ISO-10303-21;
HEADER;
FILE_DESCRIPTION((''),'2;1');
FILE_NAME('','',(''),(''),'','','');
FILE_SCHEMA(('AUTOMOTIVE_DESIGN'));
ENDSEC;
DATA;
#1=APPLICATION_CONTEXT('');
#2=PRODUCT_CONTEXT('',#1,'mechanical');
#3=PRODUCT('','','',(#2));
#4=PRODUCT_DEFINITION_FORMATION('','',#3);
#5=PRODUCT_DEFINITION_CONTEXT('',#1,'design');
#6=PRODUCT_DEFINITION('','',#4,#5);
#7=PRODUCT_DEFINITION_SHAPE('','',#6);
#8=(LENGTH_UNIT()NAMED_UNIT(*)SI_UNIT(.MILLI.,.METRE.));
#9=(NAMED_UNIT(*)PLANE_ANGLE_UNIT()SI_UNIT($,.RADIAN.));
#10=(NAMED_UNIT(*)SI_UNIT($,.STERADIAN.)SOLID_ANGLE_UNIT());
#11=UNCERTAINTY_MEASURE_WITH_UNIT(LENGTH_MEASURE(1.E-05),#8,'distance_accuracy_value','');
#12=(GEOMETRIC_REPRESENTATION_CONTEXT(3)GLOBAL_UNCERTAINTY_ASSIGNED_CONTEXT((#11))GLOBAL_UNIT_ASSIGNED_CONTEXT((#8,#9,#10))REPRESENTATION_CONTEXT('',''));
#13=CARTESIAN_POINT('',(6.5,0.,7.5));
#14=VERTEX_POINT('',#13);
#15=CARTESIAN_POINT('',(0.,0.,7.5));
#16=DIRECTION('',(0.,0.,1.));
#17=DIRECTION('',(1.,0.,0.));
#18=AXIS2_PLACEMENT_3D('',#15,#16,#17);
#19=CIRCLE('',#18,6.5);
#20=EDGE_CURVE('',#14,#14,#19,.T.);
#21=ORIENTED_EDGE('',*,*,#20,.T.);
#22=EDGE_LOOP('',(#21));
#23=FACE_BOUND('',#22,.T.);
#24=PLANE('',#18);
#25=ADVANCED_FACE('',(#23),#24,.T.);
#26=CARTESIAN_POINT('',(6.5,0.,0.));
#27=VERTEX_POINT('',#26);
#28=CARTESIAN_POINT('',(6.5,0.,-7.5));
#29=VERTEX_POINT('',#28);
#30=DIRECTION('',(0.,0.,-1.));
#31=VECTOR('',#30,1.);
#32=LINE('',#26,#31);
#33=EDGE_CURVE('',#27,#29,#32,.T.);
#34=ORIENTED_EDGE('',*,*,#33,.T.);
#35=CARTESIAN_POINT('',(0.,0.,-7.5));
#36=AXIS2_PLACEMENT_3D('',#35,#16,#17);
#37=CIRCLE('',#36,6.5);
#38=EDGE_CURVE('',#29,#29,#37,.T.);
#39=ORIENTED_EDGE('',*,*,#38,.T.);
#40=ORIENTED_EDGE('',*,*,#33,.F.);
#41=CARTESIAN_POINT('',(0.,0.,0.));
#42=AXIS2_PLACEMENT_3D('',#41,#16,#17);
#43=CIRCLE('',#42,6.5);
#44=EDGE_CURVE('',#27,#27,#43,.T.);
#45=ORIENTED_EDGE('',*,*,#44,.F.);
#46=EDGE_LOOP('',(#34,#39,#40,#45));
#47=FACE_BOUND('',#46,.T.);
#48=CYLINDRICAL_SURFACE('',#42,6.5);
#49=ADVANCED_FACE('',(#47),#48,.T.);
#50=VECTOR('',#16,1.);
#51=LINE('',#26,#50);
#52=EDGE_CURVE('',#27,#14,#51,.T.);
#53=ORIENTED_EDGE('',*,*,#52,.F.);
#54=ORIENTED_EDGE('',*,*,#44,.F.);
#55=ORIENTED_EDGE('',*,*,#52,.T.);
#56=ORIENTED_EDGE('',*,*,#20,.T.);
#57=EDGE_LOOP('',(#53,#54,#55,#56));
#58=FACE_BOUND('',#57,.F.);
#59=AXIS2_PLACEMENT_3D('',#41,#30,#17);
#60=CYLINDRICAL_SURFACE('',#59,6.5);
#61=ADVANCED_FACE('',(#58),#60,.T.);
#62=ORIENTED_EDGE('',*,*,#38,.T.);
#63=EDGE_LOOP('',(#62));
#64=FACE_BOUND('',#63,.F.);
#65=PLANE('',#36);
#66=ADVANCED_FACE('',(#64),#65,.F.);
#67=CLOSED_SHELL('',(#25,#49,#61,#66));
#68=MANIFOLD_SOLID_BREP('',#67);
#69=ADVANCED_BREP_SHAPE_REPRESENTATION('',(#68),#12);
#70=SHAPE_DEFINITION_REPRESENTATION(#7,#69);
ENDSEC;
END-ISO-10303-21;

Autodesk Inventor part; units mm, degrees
ref_plane "YZ Plane" through (0, 0, 0) normal (1, 0, 0) x (0, 1, 0)
ref_plane "XZ Plane" through (0, 0, 0) normal (0, 1, 0) x (-1, 0, 0)
ref_plane "XY Plane" through (0, 0, 0) normal (0, 0, 1) x (1, 0, 0)
sketch "Hauptskizze" plane through (0, 0, 0) normal (0, 0, 1) x (1, 0, 0)
  circle A0 centre (0, 0) radius 6.5
  dimension "d0" = 13
extrude "Riemenscheibe" add sketch "Hauptskizze" along normal mid plane 15
equation "\"d0\" = da_D"
equation "\"d1\" = da_B"
equation "\"da_D\" = 13"
equation "\"da_B\" = 15"
properties part number "Flache Riemenscheibe1" material "Steel"
